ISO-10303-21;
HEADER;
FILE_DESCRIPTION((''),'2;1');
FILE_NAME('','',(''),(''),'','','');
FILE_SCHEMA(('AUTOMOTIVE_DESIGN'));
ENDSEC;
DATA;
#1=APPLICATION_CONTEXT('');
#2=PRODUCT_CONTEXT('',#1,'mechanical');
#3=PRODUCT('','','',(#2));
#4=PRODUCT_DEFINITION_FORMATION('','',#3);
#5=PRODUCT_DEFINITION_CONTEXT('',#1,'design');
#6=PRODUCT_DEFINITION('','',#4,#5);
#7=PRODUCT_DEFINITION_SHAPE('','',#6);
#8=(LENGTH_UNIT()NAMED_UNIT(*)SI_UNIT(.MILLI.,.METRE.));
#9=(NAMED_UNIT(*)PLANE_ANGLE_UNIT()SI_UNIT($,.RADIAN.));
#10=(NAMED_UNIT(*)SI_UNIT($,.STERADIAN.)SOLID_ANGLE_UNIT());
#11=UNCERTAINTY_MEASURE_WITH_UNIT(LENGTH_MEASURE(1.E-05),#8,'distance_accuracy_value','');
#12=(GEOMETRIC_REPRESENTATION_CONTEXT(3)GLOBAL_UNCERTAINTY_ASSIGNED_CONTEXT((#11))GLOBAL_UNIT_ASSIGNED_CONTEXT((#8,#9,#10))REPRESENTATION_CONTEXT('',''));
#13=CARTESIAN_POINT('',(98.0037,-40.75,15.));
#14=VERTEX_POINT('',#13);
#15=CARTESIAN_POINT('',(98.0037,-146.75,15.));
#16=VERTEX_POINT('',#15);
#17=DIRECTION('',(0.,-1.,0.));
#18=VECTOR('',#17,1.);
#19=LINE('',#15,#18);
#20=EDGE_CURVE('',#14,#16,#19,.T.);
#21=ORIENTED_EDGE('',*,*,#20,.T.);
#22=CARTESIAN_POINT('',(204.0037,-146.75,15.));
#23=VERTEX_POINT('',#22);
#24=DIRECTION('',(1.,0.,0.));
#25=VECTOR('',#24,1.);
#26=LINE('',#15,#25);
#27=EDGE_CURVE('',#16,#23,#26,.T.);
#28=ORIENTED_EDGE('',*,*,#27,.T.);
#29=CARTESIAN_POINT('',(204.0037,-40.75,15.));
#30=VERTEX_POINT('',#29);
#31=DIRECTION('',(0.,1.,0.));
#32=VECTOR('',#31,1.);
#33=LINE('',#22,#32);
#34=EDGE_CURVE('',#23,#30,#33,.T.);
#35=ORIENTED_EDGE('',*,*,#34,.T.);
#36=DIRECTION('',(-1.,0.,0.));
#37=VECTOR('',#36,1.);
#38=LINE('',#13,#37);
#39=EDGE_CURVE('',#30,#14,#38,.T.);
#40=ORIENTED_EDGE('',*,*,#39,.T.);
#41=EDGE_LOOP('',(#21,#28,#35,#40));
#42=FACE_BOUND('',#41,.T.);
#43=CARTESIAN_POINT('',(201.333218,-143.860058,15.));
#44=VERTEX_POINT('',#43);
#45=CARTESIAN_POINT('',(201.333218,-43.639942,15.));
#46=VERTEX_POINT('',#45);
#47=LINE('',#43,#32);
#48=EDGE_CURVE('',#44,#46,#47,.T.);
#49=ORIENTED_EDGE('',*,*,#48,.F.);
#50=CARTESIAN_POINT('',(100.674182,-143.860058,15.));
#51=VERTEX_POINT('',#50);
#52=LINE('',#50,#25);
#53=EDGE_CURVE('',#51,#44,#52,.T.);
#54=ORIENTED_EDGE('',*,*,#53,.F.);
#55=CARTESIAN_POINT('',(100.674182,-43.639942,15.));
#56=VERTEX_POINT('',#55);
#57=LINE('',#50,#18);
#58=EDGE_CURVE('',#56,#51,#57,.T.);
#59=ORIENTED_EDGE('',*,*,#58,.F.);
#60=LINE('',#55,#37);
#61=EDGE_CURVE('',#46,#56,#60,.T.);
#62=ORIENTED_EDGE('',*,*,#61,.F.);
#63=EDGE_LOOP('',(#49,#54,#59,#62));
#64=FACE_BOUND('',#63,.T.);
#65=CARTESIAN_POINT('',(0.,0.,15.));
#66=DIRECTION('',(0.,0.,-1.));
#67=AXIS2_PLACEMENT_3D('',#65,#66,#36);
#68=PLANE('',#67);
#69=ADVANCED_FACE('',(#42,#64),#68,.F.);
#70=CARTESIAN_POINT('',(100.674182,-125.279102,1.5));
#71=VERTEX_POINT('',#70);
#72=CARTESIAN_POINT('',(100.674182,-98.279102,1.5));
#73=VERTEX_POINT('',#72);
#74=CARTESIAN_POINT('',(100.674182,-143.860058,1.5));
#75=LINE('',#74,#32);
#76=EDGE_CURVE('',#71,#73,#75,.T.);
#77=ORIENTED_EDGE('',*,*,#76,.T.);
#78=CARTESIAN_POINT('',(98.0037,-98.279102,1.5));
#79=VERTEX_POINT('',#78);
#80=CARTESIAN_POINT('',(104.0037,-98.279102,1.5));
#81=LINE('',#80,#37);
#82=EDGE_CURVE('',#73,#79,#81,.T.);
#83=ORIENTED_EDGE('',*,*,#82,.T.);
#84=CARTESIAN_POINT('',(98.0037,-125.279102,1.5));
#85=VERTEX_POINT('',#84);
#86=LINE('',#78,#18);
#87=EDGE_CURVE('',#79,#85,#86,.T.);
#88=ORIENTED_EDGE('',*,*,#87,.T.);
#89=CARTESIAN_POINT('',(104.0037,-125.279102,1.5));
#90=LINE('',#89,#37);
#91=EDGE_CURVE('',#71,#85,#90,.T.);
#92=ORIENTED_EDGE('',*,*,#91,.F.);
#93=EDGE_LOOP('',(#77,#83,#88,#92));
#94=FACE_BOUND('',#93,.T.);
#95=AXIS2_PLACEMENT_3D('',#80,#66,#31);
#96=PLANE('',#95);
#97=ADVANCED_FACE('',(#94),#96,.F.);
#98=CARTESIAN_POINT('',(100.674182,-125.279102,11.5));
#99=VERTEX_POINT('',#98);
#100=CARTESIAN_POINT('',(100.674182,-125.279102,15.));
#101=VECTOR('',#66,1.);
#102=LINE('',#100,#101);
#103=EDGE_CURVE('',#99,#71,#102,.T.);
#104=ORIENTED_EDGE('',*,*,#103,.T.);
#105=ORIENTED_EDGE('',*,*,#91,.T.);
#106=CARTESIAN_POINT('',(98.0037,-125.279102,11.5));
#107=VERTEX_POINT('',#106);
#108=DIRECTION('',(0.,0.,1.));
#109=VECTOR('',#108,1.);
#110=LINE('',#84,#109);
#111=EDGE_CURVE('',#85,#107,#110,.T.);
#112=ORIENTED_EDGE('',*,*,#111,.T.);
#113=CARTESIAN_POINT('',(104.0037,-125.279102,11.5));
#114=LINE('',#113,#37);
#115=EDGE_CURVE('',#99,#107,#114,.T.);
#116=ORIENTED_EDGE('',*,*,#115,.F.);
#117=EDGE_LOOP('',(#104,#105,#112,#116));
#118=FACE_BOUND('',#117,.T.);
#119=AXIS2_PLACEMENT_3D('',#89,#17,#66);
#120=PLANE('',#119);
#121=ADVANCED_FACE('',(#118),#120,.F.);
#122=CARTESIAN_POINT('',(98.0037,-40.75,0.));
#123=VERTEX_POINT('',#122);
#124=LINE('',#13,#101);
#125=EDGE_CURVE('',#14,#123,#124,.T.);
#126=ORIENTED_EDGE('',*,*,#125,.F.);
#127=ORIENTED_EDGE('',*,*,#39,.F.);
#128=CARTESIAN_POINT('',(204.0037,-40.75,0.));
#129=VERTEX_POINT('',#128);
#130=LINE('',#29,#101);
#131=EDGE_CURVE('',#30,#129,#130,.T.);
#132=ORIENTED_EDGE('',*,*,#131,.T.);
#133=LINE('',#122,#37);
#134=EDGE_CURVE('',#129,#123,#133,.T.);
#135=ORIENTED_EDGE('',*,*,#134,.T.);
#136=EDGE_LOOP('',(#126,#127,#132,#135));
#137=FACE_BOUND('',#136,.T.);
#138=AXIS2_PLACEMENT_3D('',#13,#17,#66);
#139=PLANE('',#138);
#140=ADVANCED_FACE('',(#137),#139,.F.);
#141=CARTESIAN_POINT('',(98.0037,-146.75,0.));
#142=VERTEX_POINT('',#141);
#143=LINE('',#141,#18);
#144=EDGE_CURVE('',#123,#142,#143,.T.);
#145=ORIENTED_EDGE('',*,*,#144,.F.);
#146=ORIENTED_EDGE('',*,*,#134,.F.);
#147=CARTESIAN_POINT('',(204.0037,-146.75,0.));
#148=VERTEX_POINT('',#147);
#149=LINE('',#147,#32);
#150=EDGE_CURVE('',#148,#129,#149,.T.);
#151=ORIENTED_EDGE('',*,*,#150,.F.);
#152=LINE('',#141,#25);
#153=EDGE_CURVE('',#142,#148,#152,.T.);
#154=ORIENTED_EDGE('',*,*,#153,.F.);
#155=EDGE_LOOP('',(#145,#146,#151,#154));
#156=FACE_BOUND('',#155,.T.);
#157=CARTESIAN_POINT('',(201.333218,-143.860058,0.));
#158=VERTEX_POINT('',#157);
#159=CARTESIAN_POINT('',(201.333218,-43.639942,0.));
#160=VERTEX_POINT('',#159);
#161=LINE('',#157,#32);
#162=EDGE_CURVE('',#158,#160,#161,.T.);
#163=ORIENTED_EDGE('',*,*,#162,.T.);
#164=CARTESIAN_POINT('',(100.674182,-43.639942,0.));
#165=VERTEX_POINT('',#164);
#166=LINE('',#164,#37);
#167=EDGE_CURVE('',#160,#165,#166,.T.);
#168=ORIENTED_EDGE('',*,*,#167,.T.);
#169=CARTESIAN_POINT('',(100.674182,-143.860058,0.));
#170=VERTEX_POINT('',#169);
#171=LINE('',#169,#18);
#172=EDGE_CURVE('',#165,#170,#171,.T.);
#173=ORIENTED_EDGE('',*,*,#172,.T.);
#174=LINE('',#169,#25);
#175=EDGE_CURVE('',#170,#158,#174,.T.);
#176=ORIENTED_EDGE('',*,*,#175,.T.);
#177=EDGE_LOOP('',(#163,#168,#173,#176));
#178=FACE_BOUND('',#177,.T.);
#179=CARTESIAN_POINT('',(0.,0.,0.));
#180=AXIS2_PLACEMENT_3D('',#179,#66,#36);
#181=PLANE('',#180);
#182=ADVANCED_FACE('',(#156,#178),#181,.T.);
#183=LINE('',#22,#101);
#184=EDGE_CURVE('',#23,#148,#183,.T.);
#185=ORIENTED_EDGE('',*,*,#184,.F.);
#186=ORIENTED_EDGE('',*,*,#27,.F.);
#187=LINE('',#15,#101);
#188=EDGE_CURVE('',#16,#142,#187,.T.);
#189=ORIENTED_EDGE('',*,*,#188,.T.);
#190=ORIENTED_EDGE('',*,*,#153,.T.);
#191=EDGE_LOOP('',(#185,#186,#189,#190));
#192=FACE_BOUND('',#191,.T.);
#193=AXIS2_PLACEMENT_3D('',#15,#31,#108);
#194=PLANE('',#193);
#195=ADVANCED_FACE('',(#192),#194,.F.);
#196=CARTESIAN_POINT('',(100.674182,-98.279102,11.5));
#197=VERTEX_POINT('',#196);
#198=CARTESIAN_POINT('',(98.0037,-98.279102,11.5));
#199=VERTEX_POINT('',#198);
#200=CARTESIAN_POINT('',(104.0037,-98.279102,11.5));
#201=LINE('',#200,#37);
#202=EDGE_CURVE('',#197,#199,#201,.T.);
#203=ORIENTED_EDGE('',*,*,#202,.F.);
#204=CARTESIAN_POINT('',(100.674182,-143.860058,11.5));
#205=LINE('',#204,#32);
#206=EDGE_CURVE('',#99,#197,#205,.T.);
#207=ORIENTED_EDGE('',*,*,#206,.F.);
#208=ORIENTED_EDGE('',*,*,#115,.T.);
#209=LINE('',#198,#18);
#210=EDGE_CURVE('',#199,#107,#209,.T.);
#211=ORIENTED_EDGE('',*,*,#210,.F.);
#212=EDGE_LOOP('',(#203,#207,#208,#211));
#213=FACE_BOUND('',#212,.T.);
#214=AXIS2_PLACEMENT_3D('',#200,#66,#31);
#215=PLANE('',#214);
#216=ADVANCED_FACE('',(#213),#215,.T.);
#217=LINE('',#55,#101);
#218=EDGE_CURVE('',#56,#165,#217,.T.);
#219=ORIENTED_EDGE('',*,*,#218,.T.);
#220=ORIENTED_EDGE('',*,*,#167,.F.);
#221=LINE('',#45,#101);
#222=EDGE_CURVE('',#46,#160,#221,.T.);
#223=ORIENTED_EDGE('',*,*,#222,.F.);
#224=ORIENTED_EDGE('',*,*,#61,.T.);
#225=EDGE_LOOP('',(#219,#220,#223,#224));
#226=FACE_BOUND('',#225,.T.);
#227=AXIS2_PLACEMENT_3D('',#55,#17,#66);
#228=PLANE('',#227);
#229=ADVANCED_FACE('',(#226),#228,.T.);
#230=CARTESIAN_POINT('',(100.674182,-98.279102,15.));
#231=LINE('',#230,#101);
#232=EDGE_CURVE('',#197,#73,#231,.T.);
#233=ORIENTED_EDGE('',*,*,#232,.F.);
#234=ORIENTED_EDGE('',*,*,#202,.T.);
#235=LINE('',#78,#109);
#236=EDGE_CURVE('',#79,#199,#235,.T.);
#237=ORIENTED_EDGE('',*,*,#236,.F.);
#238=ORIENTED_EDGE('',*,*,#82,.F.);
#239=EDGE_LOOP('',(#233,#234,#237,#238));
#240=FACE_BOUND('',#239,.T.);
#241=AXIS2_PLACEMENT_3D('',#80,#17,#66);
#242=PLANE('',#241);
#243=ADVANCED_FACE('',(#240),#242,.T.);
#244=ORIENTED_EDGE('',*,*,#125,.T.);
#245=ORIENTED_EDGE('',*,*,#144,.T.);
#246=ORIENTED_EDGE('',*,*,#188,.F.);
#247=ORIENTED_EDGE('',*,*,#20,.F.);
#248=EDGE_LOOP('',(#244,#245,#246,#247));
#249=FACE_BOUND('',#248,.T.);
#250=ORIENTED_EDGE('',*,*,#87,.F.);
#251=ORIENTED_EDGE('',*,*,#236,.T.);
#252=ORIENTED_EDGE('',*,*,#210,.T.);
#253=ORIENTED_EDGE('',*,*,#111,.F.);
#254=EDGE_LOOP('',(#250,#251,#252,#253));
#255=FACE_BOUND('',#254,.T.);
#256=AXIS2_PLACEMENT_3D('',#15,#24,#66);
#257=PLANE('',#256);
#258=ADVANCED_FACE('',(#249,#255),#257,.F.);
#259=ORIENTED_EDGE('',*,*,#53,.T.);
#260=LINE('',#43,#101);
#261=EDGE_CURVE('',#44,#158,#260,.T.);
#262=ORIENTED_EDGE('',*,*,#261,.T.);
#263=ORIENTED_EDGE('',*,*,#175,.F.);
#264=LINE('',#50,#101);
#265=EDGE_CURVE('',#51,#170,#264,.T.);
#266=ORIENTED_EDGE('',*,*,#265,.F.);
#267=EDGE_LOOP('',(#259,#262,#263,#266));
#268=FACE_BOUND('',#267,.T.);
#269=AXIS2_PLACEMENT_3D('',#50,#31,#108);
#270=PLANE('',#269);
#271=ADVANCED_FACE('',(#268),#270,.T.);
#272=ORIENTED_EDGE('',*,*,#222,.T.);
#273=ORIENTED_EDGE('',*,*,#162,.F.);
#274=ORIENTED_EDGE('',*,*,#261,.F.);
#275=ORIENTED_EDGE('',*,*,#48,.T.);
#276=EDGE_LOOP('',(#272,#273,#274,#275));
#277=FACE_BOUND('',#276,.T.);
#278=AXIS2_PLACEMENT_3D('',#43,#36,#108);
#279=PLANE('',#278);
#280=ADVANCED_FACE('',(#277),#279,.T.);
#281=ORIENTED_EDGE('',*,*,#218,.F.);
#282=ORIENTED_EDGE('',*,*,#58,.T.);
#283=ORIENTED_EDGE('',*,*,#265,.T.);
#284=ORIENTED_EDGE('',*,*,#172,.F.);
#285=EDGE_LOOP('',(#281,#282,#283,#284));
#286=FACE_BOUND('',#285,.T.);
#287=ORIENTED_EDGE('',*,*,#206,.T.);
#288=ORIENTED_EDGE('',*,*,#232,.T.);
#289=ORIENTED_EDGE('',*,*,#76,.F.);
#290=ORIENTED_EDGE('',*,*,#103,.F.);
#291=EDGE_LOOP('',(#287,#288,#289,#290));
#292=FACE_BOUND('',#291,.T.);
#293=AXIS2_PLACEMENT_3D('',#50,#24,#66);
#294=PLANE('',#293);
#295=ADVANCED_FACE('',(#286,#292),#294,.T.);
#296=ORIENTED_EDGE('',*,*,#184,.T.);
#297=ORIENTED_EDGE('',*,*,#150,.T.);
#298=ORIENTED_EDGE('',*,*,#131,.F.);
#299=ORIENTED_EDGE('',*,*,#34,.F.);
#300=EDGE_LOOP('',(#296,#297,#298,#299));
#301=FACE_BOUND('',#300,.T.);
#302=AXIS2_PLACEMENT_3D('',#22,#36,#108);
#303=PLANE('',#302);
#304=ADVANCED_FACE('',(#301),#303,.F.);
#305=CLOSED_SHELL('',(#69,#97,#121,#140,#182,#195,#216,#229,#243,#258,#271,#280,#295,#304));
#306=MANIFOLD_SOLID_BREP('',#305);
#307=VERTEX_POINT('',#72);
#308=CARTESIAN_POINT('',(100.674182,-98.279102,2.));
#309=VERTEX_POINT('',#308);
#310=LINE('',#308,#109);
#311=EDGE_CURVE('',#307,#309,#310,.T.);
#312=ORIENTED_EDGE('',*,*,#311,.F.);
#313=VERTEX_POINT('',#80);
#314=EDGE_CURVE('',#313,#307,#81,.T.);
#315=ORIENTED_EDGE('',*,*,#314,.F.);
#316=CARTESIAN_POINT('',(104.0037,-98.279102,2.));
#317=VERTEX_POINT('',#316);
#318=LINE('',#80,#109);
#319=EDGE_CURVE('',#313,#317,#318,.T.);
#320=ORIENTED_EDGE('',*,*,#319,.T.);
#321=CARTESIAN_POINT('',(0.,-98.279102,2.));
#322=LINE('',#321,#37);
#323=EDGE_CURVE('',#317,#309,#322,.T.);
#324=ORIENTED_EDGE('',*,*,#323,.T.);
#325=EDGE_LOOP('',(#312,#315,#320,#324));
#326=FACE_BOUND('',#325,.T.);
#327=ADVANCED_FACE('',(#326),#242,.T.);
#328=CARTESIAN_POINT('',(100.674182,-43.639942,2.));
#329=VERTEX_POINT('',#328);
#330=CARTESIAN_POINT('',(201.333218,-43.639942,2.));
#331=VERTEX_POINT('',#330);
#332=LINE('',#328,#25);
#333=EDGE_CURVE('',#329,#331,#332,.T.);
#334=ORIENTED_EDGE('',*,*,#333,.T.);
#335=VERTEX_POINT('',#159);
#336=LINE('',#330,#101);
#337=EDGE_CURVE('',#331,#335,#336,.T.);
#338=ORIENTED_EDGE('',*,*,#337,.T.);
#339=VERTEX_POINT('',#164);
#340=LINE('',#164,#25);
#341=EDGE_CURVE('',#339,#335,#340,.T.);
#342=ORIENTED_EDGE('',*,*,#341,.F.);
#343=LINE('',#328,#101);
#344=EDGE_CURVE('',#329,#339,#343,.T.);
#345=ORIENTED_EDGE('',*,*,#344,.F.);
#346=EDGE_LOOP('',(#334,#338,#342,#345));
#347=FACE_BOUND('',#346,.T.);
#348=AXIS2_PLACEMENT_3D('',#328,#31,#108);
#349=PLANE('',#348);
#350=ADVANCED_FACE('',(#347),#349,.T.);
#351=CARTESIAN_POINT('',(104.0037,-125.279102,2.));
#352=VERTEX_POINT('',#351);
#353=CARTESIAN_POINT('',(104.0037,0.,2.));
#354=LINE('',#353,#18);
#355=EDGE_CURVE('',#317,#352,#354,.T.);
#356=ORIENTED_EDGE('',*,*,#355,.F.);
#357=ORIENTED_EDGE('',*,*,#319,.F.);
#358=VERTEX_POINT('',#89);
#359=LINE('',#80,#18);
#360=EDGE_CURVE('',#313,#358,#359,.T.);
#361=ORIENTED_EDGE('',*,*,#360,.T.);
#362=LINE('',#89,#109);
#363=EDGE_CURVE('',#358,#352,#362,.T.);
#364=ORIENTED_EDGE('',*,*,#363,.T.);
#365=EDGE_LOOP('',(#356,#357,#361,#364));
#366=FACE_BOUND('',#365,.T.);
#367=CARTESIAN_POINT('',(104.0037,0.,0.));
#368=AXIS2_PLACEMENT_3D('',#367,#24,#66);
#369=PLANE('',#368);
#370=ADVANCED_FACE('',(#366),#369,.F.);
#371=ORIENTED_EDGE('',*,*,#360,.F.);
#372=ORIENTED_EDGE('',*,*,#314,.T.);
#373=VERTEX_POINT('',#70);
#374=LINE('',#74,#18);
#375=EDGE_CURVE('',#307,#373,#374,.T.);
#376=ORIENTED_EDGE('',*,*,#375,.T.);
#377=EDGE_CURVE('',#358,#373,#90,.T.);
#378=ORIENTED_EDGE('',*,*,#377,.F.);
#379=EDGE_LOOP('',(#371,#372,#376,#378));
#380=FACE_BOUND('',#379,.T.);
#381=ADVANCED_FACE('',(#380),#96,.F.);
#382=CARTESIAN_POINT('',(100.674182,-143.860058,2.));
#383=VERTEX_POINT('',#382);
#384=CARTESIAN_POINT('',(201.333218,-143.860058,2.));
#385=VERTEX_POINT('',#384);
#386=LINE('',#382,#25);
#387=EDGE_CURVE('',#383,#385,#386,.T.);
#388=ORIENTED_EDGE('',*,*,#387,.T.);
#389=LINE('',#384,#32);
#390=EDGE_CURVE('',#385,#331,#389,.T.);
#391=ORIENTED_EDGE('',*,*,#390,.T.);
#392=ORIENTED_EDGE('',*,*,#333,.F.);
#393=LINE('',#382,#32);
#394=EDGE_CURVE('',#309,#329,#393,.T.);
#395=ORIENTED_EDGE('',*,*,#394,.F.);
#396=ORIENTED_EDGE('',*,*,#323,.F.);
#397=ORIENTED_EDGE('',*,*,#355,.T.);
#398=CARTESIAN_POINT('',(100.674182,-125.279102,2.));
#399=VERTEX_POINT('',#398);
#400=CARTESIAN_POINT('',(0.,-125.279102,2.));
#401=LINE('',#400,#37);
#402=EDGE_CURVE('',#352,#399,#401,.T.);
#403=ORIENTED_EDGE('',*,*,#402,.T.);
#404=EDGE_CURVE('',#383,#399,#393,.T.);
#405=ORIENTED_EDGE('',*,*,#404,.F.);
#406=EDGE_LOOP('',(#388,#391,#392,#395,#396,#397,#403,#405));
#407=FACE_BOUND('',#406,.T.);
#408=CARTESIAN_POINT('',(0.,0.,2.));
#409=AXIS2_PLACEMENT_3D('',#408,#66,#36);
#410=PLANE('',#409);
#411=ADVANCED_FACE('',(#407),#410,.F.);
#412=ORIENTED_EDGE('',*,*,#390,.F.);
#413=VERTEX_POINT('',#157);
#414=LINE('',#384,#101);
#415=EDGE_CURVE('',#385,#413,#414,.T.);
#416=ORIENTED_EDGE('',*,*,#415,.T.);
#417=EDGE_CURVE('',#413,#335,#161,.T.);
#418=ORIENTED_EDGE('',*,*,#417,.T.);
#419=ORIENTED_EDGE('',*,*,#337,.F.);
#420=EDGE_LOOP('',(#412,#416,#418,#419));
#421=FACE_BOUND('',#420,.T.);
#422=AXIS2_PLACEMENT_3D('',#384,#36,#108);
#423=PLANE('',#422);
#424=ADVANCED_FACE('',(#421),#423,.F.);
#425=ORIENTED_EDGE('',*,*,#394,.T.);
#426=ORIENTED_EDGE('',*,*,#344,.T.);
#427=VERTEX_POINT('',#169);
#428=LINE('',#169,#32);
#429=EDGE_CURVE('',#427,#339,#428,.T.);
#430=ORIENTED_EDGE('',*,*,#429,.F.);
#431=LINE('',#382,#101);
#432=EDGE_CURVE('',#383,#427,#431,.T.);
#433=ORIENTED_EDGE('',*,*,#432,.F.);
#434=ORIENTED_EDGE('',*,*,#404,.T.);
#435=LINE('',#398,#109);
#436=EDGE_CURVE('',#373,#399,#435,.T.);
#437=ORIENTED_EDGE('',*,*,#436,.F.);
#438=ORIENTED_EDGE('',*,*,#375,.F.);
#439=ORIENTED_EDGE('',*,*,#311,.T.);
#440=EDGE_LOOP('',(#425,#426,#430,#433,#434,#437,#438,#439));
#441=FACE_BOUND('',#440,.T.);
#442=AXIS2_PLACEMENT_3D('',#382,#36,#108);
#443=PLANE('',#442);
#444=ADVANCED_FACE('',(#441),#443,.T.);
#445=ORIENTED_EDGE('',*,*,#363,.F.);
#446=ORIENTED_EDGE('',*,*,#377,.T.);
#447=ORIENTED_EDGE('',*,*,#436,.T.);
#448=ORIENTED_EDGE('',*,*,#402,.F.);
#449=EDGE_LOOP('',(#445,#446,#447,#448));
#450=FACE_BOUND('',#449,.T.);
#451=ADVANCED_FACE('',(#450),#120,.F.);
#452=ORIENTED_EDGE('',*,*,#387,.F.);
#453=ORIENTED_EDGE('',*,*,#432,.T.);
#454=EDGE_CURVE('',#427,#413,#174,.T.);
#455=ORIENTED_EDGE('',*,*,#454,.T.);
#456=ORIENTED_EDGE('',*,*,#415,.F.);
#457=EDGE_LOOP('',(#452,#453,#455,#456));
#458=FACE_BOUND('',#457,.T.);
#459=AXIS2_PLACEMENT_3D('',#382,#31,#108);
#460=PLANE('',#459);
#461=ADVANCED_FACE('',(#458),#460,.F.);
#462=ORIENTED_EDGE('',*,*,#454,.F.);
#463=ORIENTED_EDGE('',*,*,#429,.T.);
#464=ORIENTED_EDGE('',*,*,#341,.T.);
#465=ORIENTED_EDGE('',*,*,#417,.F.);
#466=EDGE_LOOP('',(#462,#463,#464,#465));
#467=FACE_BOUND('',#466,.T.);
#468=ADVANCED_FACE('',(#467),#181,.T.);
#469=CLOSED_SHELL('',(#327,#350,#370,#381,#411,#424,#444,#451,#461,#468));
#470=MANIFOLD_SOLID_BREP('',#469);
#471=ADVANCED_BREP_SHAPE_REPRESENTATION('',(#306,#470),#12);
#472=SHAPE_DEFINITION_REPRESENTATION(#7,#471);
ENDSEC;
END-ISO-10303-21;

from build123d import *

# Parameters (mm, degrees)
SKETCH2_W           = 106
SKETCH2_H           = 106
SKETCH2_W_2         = 100.659036826
SKETCH2_H_2         = 100.220116606
BOSS_EXTRUDE2_DEPTH = 15
SKETCH2_5_W         = 100.659036826
SKETCH2_5_H         = 100.220116606
BOSS_EXTRUDE5_DEPTH = 2
SKETCH6_W           = 10
SKETCH6_H           = 27
CUT_EXTRUDE1_DEPTH  = 6


with BuildPart() as part:
    # Sketch2 → Boss-Extrude2 (new body)
    with BuildSketch(Plane.XY):
        with Locations((151.0037, -93.75)):
            Rectangle(SKETCH2_W, SKETCH2_H)
        with Locations((151.0037, -93.75)):
            Rectangle(SKETCH2_W_2, SKETCH2_H_2, mode=Mode.SUBTRACT)
    extrude(amount=BOSS_EXTRUDE2_DEPTH)


with BuildPart() as body_2:
    # Sketch2<5> → Boss-Extrude5 (new body)
    with BuildSketch(Plane.XY):
        with Locations((151.0037, -93.75)):
            Rectangle(SKETCH2_5_W, SKETCH2_5_H)
    extrude(amount=BOSS_EXTRUDE5_DEPTH)


with BuildPart() as cut_extrude1_tool:
    # Sketch6 → Cut-Extrude1 (new body)
    with BuildSketch(Plane.ZY.offset(-98.0037)):
        with Locations((6.5, -111.779102378)):
            Rectangle(SKETCH6_W, SKETCH6_H)
    extrude(amount=-CUT_EXTRUDE1_DEPTH)


with BuildPart() as part_1:
    add(part.part)

    # Cut-Extrude1: cut by cut_extrude1_tool
    add(cut_extrude1_tool.part, mode=Mode.SUBTRACT)


with BuildPart() as body_2_1:
    add(body_2.part)

    # Cut-Extrude1: cut by cut_extrude1_tool
    add(cut_extrude1_tool.part, mode=Mode.SUBTRACT)


solid = Compound([part_1.part, body_2_1.part])
